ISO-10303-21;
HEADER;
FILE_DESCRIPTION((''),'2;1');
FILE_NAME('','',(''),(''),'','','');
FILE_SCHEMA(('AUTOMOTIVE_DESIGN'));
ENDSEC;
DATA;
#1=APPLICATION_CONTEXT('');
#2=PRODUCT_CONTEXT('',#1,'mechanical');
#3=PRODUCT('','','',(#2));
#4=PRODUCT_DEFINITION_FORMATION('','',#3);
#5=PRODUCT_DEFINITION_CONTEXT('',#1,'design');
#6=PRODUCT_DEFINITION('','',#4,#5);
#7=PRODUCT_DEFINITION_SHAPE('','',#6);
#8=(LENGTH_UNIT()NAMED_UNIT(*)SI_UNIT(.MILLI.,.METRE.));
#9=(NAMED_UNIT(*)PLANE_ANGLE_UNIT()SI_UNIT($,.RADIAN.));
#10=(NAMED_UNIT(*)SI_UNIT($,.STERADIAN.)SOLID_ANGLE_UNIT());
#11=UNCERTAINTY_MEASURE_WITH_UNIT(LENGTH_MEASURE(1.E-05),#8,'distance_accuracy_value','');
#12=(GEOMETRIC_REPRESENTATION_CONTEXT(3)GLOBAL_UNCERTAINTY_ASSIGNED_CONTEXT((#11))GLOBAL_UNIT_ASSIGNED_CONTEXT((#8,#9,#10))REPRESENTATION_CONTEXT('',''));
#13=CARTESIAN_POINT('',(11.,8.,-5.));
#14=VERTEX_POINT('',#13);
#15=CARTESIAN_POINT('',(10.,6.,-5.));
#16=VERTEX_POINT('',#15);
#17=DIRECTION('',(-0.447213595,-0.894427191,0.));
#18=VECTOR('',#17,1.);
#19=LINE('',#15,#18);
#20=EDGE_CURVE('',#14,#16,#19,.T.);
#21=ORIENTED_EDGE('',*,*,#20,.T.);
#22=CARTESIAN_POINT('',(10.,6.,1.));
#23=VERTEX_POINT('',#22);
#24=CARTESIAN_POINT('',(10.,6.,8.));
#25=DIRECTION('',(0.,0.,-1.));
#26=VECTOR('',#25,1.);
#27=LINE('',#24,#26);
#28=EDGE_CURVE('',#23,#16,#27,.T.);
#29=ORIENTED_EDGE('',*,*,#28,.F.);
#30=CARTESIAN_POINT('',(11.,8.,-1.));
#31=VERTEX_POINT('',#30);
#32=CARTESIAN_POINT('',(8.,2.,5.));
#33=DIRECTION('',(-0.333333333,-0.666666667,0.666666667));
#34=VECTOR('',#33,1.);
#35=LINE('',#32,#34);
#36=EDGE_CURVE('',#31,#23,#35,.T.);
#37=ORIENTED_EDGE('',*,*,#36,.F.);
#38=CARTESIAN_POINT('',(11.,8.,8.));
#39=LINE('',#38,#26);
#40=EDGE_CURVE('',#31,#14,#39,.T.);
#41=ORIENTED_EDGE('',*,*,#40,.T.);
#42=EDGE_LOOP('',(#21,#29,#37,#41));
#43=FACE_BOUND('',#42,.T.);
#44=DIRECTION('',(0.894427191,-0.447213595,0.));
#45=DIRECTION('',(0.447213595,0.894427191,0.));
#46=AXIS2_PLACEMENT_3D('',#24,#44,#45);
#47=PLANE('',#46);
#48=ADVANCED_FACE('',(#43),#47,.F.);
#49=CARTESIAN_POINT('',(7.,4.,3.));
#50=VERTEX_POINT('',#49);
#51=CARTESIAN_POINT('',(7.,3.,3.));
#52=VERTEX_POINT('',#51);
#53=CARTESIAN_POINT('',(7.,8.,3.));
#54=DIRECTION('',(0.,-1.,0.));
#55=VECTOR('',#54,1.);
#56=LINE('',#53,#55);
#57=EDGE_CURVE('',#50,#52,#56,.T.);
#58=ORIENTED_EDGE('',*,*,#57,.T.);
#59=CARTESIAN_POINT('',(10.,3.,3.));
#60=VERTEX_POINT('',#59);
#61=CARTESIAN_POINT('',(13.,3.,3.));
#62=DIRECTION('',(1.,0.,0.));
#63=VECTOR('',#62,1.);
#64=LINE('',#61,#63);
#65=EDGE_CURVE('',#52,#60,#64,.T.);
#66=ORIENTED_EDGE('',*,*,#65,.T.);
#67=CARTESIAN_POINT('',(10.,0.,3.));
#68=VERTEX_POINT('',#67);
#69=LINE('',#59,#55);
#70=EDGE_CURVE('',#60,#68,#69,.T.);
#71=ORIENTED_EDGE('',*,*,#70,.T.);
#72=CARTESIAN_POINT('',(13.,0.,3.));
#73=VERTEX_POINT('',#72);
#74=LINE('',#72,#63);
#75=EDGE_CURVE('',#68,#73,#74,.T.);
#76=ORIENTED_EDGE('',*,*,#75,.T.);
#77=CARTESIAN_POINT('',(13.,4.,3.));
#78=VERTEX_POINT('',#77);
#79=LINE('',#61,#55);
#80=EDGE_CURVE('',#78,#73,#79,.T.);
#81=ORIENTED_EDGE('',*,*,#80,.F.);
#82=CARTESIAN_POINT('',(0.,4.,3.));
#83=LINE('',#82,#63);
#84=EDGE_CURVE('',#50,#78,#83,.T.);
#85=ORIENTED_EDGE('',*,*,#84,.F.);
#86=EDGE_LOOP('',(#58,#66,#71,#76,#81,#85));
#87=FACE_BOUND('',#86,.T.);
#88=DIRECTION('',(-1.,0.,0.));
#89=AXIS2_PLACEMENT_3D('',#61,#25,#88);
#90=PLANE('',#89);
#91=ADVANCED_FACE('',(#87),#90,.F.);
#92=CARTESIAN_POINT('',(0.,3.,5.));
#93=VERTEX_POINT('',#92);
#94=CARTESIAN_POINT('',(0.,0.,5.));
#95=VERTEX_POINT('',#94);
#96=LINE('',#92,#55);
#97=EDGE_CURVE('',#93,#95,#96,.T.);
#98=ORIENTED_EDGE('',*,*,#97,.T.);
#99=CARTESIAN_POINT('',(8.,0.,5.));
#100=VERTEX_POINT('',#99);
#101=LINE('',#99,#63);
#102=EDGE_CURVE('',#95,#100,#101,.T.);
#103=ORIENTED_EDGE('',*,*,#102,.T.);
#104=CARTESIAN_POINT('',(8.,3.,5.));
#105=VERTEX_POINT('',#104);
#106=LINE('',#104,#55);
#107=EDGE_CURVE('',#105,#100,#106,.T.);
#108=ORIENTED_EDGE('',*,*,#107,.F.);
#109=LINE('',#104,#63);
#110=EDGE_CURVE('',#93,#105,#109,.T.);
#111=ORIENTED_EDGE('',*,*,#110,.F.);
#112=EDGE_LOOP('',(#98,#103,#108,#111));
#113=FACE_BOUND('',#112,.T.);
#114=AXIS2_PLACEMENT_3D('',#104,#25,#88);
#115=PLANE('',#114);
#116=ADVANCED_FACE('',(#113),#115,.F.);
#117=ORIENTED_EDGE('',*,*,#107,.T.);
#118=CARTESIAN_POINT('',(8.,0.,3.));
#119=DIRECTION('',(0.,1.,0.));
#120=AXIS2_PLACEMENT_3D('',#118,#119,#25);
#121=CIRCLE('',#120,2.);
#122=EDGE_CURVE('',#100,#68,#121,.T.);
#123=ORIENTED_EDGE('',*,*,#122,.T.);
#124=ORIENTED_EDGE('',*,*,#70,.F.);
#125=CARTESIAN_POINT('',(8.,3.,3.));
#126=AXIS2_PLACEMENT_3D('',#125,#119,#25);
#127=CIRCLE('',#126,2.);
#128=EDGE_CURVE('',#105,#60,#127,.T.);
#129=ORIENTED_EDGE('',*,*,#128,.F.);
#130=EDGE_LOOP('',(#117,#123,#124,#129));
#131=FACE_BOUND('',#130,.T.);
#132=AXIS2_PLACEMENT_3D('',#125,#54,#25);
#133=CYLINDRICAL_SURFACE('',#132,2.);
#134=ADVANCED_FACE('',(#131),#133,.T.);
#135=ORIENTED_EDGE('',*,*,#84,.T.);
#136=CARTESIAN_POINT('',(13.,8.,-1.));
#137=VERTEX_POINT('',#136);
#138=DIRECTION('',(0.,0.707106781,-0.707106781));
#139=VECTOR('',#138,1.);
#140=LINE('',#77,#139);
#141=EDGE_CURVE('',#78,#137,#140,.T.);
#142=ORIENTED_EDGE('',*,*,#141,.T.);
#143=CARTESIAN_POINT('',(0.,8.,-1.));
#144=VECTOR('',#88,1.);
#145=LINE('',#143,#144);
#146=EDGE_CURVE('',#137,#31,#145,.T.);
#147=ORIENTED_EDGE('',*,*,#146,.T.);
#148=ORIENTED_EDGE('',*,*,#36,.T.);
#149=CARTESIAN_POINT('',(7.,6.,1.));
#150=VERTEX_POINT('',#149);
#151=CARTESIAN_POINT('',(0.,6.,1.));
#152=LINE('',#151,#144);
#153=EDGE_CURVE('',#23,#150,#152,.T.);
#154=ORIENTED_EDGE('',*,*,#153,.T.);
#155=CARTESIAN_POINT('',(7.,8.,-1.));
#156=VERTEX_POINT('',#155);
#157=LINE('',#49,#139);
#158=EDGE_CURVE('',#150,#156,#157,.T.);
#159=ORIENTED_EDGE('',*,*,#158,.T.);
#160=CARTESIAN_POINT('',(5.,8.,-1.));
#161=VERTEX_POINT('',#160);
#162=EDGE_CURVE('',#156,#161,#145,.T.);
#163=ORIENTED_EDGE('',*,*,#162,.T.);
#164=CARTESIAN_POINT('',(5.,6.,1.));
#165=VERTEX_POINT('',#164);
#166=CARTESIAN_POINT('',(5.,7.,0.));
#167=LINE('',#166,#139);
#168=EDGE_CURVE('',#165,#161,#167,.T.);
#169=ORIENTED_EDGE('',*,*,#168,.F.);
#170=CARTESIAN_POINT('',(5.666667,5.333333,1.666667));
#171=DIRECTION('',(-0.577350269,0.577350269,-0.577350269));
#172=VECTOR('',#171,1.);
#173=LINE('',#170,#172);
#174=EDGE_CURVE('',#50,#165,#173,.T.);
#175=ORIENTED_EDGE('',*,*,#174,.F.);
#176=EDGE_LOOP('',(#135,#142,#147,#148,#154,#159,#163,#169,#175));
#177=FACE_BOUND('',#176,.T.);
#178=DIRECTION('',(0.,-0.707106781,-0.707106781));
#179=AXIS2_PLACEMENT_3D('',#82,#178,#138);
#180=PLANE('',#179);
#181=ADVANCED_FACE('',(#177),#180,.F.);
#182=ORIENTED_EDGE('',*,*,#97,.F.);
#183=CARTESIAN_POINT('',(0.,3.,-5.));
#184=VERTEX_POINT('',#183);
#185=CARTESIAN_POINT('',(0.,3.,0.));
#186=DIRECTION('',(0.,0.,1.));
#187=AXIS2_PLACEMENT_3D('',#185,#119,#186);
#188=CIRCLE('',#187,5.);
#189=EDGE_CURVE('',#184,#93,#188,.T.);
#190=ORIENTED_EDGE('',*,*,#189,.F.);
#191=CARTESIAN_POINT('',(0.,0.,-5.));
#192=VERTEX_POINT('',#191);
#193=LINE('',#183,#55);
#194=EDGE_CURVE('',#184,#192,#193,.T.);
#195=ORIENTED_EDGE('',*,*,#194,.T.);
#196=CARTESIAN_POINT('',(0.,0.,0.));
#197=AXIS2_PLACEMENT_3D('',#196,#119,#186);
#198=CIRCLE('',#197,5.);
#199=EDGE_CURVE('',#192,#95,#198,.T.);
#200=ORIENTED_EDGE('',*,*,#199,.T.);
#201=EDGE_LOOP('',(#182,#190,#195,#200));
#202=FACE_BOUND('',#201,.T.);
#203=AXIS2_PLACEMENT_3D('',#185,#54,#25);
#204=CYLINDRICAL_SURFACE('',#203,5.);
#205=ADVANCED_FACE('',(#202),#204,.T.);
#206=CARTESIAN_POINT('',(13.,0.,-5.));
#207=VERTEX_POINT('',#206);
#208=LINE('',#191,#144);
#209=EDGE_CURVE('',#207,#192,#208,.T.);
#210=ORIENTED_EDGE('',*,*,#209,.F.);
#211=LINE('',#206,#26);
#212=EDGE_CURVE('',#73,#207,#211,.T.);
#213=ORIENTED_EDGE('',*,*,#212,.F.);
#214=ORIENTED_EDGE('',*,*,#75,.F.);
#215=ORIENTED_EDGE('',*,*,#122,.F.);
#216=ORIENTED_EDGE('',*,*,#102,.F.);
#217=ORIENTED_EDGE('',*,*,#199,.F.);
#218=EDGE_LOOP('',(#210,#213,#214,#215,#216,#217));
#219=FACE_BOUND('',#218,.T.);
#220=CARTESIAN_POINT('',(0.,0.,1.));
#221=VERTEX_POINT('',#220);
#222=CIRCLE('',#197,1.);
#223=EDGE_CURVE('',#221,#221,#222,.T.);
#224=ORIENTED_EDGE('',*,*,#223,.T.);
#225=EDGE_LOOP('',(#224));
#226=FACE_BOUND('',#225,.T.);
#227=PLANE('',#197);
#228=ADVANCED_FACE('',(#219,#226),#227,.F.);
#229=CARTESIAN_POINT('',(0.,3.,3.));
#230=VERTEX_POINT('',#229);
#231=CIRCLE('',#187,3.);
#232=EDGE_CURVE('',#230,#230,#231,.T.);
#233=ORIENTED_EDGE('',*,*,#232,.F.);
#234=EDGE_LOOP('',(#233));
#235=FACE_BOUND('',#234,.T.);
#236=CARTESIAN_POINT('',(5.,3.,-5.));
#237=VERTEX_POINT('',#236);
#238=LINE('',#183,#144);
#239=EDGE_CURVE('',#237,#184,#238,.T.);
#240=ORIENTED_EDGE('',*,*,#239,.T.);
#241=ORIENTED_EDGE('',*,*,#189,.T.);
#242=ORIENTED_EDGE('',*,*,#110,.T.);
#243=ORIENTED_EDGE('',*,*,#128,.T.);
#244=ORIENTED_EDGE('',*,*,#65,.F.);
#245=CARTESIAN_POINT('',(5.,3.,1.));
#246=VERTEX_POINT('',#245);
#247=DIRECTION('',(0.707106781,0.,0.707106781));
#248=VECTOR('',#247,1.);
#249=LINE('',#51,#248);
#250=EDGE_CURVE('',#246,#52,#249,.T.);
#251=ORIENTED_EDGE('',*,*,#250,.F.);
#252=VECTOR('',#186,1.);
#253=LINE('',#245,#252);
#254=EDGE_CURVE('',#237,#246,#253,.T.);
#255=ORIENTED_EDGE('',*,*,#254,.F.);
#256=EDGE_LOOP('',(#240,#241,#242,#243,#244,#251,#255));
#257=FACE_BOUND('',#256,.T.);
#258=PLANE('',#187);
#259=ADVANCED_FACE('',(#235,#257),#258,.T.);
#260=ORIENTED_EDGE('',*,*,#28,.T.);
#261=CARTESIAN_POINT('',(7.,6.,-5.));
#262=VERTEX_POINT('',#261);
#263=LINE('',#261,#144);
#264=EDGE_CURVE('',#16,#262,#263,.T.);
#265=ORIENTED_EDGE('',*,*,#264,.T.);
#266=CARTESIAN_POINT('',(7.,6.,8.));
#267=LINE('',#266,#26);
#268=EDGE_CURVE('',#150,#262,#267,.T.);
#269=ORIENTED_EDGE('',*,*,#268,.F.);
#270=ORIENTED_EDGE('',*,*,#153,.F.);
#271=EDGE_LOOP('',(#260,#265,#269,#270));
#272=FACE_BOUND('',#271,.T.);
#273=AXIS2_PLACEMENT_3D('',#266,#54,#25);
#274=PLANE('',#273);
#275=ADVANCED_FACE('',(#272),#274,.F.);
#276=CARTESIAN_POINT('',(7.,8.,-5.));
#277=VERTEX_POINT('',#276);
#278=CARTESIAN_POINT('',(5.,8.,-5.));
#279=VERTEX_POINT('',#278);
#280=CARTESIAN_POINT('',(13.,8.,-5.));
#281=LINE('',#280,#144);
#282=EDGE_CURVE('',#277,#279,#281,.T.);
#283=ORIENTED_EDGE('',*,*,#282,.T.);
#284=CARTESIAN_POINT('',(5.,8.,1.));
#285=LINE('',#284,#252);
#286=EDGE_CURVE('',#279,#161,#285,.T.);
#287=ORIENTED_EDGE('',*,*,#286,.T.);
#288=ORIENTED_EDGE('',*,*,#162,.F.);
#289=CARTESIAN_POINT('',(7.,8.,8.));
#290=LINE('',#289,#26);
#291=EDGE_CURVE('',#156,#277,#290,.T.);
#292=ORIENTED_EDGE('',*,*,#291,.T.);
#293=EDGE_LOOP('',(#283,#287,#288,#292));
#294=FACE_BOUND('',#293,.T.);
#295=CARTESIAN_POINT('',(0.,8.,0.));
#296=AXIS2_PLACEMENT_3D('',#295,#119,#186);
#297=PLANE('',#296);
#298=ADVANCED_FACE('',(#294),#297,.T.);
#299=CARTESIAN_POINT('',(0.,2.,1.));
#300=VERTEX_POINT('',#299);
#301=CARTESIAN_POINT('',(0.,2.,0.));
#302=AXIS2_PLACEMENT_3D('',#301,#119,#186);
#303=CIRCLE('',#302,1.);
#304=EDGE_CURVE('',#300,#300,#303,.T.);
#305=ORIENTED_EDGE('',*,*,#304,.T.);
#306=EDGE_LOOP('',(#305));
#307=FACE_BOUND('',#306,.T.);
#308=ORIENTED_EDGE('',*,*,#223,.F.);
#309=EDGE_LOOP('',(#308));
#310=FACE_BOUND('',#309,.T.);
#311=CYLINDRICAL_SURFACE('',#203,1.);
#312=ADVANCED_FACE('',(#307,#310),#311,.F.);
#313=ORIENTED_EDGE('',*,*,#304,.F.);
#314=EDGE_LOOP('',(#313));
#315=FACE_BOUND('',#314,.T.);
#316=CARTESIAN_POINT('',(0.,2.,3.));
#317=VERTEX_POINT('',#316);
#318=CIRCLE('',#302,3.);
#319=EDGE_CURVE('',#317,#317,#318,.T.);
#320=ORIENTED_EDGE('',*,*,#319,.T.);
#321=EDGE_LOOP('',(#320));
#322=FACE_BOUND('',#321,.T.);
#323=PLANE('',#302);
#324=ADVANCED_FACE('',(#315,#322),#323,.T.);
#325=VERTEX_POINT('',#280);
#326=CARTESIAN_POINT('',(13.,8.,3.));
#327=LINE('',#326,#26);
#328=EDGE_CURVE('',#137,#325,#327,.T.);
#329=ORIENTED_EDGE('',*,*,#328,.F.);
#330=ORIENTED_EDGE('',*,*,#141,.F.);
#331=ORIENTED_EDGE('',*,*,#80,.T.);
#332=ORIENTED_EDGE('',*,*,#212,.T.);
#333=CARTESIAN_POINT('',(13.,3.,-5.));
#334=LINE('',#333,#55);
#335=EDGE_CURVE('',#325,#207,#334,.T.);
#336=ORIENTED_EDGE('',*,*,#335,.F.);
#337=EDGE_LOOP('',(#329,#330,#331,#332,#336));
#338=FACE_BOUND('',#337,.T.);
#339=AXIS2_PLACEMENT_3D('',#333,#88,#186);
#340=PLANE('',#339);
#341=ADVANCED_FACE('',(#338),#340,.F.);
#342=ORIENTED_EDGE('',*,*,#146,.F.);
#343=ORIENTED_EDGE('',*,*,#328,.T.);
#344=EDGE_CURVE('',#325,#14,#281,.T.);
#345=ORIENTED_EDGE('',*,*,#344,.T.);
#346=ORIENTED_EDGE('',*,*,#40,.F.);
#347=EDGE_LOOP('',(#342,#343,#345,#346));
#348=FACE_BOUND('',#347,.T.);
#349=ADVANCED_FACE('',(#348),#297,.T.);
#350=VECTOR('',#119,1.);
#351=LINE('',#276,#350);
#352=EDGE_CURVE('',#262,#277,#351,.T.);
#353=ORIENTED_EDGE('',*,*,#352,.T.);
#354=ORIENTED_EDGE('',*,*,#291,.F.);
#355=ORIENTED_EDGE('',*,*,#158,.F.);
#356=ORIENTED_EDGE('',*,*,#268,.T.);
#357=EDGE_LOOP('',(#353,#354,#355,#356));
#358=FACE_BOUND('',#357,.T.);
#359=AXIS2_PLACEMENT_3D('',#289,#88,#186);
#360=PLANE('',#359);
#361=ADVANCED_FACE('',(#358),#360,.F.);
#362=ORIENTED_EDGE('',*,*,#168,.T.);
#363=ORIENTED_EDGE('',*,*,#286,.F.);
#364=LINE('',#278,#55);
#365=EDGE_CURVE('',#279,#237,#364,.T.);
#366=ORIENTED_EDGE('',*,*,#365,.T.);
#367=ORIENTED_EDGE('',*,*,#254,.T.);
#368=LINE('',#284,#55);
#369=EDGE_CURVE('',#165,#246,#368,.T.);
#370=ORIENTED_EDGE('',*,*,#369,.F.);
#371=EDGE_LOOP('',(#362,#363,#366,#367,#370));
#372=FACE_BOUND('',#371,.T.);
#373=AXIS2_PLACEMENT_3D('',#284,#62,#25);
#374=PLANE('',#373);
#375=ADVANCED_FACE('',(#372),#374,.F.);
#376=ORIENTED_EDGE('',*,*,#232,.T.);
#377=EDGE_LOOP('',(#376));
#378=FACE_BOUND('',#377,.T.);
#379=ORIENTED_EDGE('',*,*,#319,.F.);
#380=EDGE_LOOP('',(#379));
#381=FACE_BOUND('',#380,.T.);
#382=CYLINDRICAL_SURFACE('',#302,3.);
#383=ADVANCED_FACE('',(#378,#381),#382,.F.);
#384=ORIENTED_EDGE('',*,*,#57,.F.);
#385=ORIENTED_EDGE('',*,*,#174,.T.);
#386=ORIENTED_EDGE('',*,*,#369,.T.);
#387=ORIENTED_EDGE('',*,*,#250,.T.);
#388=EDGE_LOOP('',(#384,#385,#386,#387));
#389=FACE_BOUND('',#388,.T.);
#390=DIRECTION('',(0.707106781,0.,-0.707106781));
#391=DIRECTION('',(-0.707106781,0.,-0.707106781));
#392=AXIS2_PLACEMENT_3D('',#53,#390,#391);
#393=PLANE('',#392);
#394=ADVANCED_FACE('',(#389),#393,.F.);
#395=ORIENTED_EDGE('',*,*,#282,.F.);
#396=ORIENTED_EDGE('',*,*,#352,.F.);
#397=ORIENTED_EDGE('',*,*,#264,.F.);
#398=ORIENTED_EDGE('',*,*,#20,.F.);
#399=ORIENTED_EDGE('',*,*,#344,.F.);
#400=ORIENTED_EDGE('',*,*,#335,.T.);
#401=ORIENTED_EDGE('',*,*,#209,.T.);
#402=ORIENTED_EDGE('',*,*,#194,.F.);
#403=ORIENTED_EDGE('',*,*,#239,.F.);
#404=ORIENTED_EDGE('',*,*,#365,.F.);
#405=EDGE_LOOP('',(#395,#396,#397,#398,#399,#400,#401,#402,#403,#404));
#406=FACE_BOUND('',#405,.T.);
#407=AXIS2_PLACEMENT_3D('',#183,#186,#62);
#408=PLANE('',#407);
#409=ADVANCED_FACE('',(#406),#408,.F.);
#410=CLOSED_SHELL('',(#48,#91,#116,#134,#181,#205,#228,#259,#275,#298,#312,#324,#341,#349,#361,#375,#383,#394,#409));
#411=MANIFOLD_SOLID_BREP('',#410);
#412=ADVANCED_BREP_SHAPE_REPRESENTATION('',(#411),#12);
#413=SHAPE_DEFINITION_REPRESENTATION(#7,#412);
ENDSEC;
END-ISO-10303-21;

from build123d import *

# Parameters (mm, degrees)
SKETCH1_R           = 1
BOSS_EXTRUDE1_DEPTH = 3
SKETCH2_R           = 3
CUT_EXTRUDE1_DEPTH  = 1
BOSS_EXTRUDE2_DEPTH = 5
CUT_EXTRUDE2_DEPTH  = 13
CUT_EXTRUDE3_DEPTH  = 13


with BuildPart() as part:
    # Sketch1 → Boss-Extrude1 (new body)
    with BuildSketch(Plane(origin=(0, 0, 0), x_dir=(1, 0, 0), z_dir=(0, 1, 0))):
        with BuildLine():
            Line((0, 5), (13, 5))
            Line((13, 5), (13, -3))
            Line((13, -3), (10, -3))
            ThreePointArc((10, -3), (9.414213562, -4.414213562), (8, -5))
            Line((8, -5), (0, -5))
            ThreePointArc((0, -5), (-5, 0), (0, 5))
        make_face()
        Circle(SKETCH1_R, mode=Mode.SUBTRACT)
    extrude(amount=BOSS_EXTRUDE1_DEPTH)

    # Sketch2 → Cut-Extrude1 (cut)
    with BuildSketch(Plane(origin=(0, 3, 0), x_dir=(1, 0, 0), z_dir=(0, 1, 0))):
        Circle(SKETCH2_R)
    extrude(amount=-CUT_EXTRUDE1_DEPTH, mode=Mode.SUBTRACT)

    # Sketch3 → Boss-Extrude2 (add)
    with BuildSketch(Plane(origin=(0, 3, 0), x_dir=(1, 0, 0), z_dir=(0, 1, 0))):
        Polygon((13, -3), (7, -3), (5, -1), (5, 5), (13, 5), align=None)
    extrude(amount=BOSS_EXTRUDE2_DEPTH)

    # Sketch4 → Cut-Extrude2 (cut)
    with BuildSketch(Plane(origin=(13, 0, 0), x_dir=(0, 0, -1), z_dir=(1, 0, 0))):
        Polygon((-3, 4), (1, 8), (-3, 8), align=None)
    extrude(amount=-CUT_EXTRUDE2_DEPTH, mode=Mode.SUBTRACT)

    # Sketch5 → Cut-Extrude3 (cut)
    with BuildSketch(Plane(origin=(0, 0, -5), x_dir=(-1, 0, 0), z_dir=(0, 0, -1))):
        Polygon((-7, 8), (-7, 6), (-10, 6), (-11, 8), align=None)
    extrude(amount=-CUT_EXTRUDE3_DEPTH, mode=Mode.SUBTRACT)


solid = part.part
